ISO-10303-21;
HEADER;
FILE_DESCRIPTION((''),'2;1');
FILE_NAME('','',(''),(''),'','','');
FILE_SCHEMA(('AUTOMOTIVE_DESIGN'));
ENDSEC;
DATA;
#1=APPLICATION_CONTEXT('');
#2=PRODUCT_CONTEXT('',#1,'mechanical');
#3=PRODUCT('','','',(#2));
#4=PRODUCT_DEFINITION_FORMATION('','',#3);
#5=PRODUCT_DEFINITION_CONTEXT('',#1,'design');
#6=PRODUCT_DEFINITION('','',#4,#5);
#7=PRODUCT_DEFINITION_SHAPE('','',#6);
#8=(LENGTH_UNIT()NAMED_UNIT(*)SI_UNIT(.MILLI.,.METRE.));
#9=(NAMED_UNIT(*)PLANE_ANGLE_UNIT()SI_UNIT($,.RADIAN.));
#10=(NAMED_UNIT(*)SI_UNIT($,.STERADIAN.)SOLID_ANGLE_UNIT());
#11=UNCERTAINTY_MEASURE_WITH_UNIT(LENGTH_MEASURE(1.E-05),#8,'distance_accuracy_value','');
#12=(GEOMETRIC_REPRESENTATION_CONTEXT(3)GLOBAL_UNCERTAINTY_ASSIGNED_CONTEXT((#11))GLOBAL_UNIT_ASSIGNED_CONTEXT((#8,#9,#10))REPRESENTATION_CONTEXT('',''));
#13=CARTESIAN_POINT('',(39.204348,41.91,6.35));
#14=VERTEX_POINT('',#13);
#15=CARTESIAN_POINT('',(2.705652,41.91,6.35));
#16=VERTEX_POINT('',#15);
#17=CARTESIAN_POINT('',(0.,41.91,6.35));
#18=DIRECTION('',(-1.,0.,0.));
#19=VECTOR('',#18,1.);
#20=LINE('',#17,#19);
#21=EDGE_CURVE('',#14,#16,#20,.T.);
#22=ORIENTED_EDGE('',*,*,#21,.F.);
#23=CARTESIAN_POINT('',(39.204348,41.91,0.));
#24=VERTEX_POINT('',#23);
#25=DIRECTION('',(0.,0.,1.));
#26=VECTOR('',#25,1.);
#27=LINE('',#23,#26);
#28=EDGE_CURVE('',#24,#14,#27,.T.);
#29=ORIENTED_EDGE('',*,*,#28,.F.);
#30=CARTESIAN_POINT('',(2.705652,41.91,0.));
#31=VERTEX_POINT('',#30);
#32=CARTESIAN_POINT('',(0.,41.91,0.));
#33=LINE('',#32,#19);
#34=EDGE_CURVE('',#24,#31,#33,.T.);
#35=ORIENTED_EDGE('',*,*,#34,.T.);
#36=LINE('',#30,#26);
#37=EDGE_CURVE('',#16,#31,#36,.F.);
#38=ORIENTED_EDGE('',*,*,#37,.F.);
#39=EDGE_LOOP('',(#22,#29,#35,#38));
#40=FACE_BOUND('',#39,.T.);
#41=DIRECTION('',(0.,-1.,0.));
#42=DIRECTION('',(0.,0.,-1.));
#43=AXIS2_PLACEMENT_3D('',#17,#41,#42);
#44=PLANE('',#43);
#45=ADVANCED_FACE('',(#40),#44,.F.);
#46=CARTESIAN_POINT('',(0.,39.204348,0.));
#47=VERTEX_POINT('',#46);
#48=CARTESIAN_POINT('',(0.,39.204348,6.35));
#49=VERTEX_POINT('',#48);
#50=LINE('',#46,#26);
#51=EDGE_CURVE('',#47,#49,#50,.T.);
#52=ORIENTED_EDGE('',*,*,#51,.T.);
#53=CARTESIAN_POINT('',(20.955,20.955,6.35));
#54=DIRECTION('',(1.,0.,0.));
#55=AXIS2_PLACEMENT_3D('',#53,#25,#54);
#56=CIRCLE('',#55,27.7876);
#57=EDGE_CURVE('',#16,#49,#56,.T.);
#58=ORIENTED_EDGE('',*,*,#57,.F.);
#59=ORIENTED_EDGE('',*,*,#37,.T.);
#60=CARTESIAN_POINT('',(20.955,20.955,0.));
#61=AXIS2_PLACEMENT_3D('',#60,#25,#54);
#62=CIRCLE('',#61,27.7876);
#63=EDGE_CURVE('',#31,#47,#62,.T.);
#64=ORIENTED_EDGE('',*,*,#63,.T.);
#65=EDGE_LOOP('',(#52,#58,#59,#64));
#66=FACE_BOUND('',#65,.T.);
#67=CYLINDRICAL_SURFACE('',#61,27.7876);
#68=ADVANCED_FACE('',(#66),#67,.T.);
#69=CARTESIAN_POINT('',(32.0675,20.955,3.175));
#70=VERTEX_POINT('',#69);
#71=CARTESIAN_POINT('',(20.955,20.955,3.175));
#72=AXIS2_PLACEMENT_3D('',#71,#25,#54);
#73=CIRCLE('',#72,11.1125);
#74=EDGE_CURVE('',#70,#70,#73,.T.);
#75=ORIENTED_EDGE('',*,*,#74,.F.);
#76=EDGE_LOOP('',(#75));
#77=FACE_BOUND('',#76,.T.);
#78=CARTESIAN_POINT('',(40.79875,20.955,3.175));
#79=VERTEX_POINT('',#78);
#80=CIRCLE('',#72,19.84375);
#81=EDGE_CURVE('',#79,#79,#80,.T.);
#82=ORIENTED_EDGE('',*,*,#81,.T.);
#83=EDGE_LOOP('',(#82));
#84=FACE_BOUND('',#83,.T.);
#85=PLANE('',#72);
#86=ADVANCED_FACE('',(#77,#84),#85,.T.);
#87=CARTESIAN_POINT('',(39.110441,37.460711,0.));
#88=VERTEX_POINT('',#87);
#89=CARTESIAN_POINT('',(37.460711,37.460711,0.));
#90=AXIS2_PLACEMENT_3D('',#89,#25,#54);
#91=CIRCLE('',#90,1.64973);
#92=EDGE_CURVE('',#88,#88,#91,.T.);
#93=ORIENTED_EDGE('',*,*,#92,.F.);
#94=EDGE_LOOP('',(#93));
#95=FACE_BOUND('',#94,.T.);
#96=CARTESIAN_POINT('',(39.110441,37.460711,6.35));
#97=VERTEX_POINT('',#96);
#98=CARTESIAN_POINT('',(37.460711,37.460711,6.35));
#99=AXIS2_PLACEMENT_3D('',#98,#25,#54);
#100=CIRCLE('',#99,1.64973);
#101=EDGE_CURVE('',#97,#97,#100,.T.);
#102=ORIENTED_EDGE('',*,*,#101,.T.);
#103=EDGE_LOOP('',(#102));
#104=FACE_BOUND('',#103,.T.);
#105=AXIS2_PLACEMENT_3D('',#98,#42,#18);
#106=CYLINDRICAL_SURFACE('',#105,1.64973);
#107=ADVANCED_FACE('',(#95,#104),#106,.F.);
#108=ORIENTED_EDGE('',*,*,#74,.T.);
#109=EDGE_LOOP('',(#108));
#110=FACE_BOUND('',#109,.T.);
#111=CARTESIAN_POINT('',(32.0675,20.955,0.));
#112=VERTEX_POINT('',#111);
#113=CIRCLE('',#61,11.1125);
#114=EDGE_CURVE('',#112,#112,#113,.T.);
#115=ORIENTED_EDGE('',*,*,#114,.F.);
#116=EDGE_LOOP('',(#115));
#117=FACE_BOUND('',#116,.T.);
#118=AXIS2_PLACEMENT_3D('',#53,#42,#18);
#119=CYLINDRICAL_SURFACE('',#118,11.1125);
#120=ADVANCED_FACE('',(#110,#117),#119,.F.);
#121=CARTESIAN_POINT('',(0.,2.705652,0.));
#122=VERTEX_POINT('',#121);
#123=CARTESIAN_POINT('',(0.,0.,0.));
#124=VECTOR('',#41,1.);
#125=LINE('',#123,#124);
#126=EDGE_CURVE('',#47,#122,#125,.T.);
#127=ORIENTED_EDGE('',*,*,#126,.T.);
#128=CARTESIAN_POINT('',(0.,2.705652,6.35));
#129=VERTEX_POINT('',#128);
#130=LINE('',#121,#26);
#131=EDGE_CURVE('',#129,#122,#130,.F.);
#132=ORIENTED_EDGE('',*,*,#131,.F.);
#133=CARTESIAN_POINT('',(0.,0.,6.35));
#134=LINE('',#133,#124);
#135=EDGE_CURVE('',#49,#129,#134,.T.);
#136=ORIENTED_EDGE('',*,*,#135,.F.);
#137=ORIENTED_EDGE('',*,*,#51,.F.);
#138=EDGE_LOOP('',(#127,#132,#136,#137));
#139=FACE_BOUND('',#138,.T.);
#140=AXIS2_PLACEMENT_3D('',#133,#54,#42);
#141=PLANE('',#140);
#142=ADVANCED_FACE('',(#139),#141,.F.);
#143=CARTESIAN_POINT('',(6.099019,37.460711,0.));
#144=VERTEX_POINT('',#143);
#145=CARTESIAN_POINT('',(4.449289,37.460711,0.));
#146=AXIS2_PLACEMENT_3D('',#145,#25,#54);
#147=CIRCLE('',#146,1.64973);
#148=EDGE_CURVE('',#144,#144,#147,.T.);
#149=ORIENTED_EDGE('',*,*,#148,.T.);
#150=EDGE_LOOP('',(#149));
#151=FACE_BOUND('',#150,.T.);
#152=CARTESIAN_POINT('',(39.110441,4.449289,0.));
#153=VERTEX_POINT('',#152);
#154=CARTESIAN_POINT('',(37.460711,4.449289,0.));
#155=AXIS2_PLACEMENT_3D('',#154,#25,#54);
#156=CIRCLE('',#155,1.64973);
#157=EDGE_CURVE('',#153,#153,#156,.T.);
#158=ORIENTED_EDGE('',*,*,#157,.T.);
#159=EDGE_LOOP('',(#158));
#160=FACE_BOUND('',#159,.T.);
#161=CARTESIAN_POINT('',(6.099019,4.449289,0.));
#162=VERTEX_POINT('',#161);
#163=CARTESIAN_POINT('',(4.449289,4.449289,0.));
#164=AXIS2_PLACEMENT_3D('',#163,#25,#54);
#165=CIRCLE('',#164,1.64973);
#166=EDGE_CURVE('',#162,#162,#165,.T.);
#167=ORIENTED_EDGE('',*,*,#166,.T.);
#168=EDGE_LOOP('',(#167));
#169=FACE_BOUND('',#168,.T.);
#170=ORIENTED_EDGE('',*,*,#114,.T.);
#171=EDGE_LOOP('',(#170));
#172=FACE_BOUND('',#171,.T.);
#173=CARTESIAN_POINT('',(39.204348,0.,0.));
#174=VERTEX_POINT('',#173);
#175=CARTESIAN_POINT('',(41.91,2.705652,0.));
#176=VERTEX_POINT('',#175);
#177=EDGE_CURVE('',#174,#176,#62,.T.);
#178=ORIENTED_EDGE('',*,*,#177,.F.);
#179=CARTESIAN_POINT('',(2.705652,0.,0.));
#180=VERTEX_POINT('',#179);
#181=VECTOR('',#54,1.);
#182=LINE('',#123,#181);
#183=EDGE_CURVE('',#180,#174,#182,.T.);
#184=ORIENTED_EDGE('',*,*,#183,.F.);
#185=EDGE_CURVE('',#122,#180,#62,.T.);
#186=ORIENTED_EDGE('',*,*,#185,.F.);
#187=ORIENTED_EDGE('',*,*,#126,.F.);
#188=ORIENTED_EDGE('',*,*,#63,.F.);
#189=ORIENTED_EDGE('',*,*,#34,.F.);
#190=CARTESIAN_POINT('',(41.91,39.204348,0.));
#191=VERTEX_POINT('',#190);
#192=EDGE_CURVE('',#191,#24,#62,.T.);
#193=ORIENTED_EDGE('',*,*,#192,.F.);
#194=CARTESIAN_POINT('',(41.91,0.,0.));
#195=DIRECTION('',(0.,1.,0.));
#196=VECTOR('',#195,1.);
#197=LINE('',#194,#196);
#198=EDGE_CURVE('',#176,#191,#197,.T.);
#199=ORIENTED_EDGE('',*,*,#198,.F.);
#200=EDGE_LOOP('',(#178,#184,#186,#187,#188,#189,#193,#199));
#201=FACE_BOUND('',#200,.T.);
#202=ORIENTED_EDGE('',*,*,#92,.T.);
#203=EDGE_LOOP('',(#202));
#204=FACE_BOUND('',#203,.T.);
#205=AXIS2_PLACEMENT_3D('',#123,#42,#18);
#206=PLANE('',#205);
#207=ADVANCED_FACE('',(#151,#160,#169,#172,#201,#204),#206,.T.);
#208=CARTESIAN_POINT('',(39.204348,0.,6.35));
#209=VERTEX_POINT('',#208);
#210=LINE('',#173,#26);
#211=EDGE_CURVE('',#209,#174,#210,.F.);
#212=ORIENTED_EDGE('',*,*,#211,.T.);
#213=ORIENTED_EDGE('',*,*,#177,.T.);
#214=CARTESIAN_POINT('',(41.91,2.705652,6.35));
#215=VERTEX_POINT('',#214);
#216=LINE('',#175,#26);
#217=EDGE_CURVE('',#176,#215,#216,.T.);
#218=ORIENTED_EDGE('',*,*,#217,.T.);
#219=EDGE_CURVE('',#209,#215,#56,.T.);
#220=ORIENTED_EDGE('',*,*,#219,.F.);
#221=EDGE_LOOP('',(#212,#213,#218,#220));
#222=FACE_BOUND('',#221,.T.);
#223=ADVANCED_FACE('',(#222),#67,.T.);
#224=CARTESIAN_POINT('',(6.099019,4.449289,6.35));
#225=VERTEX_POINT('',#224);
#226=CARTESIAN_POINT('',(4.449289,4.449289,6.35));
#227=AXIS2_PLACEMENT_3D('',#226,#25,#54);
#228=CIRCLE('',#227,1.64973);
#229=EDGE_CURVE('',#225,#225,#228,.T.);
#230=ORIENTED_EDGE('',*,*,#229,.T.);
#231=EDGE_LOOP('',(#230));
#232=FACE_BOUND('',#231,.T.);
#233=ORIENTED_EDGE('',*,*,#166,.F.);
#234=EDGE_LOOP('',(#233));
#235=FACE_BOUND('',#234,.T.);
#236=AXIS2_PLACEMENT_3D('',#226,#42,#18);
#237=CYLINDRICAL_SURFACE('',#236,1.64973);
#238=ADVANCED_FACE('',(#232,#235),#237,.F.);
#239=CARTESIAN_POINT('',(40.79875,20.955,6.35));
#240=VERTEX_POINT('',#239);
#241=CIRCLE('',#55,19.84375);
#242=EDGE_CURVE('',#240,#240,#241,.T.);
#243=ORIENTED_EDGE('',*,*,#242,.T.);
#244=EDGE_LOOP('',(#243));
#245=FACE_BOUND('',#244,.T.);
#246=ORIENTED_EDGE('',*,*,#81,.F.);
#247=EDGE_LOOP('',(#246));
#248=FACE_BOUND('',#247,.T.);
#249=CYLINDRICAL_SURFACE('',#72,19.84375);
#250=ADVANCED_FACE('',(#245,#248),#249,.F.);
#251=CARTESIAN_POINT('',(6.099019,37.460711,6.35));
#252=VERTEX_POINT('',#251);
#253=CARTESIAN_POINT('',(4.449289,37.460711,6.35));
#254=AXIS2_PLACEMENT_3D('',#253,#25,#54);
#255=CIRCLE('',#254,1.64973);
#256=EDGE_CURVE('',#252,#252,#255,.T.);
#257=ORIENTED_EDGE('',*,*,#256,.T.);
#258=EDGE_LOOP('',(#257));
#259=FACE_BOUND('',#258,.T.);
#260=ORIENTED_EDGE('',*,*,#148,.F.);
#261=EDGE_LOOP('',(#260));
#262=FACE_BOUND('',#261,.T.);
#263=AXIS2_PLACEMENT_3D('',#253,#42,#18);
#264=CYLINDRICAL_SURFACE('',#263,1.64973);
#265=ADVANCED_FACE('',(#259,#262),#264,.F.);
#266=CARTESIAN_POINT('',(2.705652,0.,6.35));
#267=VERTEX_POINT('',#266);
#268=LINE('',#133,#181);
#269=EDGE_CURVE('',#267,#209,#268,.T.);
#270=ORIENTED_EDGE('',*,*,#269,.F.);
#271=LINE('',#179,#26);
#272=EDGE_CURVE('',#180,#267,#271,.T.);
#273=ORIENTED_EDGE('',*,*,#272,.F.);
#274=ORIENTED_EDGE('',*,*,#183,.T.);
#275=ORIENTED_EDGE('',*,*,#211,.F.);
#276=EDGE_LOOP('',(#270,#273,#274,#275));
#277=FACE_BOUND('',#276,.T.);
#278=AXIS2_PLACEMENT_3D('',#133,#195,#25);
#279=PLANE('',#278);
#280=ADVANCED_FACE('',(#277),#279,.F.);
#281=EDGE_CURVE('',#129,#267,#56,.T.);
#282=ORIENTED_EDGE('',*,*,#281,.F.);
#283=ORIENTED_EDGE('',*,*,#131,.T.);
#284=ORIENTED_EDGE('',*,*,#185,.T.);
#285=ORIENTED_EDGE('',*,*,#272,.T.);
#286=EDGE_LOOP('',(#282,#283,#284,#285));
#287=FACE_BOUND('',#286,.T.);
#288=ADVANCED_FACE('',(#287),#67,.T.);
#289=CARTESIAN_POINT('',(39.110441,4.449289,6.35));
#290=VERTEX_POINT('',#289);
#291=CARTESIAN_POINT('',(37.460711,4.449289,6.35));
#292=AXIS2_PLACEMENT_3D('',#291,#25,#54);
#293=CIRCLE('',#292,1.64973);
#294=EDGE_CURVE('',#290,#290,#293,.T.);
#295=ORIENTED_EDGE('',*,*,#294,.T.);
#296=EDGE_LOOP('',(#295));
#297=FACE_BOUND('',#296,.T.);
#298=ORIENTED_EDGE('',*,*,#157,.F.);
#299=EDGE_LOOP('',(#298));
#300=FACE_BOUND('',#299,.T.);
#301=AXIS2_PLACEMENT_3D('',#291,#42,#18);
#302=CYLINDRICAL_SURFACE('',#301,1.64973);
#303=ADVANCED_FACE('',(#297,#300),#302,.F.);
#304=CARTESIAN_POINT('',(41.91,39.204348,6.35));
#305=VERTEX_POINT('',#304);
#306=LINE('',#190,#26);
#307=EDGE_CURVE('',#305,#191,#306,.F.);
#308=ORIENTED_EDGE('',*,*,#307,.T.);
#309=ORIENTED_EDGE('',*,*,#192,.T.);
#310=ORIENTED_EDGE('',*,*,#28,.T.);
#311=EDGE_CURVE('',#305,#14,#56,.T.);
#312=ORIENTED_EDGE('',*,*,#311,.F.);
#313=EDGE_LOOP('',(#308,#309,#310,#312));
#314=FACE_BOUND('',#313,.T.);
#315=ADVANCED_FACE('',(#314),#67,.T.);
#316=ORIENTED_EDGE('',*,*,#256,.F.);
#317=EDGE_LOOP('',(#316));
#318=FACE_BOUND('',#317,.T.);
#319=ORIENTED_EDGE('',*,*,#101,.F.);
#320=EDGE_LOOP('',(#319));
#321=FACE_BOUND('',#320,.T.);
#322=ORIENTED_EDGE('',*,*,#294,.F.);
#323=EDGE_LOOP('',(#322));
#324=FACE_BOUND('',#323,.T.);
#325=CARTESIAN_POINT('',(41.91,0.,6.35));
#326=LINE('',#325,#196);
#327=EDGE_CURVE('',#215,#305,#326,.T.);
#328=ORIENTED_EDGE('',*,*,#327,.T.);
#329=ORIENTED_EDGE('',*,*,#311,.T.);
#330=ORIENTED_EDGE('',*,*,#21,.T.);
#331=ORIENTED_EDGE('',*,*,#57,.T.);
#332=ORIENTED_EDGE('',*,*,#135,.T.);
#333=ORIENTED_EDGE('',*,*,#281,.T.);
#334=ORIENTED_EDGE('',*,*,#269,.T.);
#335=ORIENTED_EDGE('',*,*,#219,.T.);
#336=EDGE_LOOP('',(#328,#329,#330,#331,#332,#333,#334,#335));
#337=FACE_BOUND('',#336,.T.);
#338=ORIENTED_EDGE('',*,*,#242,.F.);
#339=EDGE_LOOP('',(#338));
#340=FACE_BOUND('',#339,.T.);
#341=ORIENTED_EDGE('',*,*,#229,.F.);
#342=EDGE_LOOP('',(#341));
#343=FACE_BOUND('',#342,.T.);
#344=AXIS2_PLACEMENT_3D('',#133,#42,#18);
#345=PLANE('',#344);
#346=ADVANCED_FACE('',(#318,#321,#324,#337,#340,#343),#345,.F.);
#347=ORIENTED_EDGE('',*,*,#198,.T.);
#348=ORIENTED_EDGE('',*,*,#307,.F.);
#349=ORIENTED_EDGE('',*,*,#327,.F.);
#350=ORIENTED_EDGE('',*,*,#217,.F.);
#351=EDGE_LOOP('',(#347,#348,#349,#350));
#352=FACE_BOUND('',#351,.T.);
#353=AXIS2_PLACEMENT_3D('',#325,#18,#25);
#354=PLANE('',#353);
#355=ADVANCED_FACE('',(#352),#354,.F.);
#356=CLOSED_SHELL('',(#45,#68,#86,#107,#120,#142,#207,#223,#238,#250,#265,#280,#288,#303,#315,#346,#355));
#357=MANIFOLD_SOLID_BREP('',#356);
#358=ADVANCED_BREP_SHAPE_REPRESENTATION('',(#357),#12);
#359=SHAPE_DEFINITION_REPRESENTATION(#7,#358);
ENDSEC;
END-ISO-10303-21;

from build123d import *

# Parameters (mm, degrees)
SKETCH1_W           = 41.91
SKETCH1_H           = 41.91
SKETCH1_R           = 1.64973
SKETCH1_R_2         = 11.1125
BOSS_EXTRUDE1_DEPTH = 6.35
SKETCH2_R           = 62.565718238
SKETCH2_R_2         = 27.7876
CUT_EXTRUDE1_DEPTH  = 60.60888105
SKETCH3_R           = 19.84375
CUT_EXTRUDE2_DEPTH  = 3.175


with BuildPart() as part:
    # Sketch1 → Boss-Extrude1 (new body)
    with BuildSketch(Plane.XY):
        with Locations((20.955, 20.955)):
            Rectangle(SKETCH1_W, SKETCH1_H)
        with Locations((37.460710751, 37.460710751)):
            Circle(SKETCH1_R, mode=Mode.SUBTRACT)
        with Locations((37.460710751, 4.449289249)):
            Circle(SKETCH1_R, mode=Mode.SUBTRACT)
        with Locations((4.449289249, 4.449289249)):
            Circle(SKETCH1_R, mode=Mode.SUBTRACT)
        with Locations((4.449289249, 37.460710751)):
            Circle(SKETCH1_R, mode=Mode.SUBTRACT)
        with Locations((20.955, 20.955)):
            Circle(SKETCH1_R_2, mode=Mode.SUBTRACT)
    extrude(amount=BOSS_EXTRUDE1_DEPTH)

    # Sketch2 → Cut-Extrude1 (cut, through all)
    with BuildSketch(Plane.XY.offset(6.35)):
        with Locations((20.955, 20.955)):
            Circle(SKETCH2_R)
        with Locations((20.955, 20.955)):
            Circle(SKETCH2_R_2, mode=Mode.SUBTRACT)
    extrude(amount=-CUT_EXTRUDE1_DEPTH, mode=Mode.SUBTRACT)

    # Sketch3 → Cut-Extrude2 (cut)
    with BuildSketch(Plane.XY.offset(6.35)):
        with Locations((20.955, 20.955)):
            Circle(SKETCH3_R)
    extrude(amount=-CUT_EXTRUDE2_DEPTH, mode=Mode.SUBTRACT)


solid = part.part
